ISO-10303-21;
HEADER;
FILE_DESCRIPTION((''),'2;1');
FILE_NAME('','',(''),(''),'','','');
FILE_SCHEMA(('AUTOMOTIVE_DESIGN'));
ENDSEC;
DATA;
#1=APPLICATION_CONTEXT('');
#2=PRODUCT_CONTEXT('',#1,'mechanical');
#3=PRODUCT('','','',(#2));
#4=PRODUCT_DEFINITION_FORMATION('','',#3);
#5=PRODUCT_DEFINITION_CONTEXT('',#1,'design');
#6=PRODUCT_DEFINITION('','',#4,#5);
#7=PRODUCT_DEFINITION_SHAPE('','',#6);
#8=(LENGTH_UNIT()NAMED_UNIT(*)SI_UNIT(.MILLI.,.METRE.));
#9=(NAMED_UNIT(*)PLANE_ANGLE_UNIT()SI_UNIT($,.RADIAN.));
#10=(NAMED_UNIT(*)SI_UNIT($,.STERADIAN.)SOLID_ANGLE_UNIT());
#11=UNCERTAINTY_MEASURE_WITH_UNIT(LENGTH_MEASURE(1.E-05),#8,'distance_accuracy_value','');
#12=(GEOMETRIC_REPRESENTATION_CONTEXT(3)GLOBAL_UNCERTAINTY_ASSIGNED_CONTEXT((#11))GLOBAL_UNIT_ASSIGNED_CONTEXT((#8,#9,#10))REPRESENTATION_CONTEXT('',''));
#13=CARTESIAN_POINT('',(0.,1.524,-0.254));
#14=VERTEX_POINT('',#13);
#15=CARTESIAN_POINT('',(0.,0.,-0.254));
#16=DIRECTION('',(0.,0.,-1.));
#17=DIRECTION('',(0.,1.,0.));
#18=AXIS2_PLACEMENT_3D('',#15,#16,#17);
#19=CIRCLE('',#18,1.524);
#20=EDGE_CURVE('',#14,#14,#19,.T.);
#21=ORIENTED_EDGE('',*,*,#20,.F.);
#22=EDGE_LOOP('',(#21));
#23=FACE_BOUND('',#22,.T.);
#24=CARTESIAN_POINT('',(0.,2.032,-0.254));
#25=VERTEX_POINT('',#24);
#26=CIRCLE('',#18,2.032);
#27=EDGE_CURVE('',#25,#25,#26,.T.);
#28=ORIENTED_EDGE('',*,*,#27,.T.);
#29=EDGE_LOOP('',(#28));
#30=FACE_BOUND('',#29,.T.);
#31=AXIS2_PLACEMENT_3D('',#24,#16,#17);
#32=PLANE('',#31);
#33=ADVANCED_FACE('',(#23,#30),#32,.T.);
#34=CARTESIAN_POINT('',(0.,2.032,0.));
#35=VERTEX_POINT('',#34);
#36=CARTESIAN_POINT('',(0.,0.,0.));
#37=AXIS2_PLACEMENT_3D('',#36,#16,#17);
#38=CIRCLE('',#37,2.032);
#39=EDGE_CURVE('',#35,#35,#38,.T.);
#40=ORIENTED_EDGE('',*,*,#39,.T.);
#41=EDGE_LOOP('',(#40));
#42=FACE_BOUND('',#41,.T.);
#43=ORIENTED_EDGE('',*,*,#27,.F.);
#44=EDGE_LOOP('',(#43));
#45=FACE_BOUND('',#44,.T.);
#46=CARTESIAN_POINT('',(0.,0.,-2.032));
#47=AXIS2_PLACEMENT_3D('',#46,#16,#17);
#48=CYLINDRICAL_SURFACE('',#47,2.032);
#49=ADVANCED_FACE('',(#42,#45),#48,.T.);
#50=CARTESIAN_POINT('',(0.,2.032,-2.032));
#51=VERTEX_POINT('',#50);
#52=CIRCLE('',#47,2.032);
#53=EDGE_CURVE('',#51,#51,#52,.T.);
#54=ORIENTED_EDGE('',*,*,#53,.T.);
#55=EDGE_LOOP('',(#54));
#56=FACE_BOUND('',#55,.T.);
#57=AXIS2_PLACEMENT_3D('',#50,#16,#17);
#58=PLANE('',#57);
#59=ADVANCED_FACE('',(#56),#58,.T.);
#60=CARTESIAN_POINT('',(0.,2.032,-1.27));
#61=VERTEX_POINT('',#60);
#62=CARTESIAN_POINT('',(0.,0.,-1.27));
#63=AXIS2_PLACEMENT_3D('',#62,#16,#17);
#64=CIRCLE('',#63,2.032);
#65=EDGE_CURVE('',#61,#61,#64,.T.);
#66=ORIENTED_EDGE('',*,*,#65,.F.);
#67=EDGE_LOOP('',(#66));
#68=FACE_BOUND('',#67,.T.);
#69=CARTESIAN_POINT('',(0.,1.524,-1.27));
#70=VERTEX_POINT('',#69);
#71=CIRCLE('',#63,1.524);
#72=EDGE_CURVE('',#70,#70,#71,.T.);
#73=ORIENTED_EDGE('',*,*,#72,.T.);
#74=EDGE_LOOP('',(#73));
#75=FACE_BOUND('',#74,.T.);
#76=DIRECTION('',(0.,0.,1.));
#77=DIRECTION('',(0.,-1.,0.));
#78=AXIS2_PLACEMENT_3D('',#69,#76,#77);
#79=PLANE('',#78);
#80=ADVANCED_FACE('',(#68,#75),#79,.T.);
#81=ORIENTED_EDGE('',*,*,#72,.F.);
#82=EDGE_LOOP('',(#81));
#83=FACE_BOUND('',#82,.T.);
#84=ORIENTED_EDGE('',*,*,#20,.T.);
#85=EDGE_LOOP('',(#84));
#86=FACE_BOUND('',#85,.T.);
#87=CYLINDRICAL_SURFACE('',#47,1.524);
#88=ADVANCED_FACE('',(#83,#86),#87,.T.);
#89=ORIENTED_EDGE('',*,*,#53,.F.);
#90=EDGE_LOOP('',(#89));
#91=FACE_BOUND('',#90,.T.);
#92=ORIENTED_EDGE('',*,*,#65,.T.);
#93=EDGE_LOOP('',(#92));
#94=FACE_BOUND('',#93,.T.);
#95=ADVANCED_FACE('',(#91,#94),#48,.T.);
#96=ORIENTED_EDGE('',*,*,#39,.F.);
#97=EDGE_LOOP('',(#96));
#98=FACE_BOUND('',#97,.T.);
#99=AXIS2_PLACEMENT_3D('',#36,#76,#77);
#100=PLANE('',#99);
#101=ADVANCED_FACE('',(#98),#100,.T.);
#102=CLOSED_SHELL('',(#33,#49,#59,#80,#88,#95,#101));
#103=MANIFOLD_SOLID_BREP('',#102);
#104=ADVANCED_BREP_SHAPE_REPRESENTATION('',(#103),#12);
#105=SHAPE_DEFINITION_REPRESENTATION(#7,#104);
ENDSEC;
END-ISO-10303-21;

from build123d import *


with BuildPart() as part:
    # Sketch1 → Revolve1 (revolve)
    with BuildSketch(Plane(origin=(0, 0, 0), x_dir=(0, 0, -1), z_dir=(1, 0, 0))):
        Polygon((0, 0), (0, 2.032), (0.254, 2.032), (0.254, 1.524), (1.27, 1.524), (1.27, 2.032), (2.032, 2.032), (2.032, 0), align=None)
    revolve(axis=Axis((0, 0, -2.032), (0, 0, 1)))


solid = part.part
